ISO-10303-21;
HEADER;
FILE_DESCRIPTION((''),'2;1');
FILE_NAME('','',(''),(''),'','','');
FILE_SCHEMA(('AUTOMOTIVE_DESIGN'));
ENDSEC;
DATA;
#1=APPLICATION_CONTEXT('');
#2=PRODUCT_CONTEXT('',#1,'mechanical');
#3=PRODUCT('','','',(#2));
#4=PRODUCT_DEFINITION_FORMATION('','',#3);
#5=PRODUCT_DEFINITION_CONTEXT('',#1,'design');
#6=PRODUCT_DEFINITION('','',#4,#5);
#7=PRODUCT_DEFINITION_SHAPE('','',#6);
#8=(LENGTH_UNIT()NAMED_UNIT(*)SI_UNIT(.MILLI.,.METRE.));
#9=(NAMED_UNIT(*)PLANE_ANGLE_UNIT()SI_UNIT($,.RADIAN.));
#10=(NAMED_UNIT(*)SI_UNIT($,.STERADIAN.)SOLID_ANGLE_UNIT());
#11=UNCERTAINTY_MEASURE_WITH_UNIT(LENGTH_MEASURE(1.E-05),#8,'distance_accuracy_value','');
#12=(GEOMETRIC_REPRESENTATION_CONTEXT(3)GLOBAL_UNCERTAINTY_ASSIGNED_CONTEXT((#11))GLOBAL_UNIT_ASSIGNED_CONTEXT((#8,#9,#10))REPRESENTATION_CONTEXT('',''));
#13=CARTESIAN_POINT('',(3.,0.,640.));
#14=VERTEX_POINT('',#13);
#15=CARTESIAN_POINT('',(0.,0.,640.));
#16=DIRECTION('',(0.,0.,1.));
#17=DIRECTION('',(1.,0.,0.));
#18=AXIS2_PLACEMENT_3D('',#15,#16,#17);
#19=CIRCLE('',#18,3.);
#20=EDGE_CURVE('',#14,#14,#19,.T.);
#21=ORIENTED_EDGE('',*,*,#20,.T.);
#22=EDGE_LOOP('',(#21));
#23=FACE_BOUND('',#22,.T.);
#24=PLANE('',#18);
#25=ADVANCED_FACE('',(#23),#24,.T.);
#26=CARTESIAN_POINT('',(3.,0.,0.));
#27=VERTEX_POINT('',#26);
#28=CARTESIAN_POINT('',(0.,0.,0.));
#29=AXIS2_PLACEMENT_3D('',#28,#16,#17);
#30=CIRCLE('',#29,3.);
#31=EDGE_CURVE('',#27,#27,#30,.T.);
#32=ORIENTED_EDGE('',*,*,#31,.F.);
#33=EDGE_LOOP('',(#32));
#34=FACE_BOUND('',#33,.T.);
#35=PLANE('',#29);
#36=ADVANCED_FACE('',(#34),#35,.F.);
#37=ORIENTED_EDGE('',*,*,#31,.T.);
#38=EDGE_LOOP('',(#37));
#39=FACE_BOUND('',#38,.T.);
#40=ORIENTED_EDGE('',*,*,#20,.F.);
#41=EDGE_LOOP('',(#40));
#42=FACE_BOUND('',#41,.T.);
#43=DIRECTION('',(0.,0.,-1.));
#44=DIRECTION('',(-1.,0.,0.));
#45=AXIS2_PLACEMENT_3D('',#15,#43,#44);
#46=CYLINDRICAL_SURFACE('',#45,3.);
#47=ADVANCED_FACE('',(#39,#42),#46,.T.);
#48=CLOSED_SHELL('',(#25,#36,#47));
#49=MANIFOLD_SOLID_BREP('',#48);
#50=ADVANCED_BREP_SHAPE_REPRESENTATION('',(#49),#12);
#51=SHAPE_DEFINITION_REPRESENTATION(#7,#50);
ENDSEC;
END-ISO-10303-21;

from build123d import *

# Parameters (mm, degrees)
ESQUISSE1_R        = 3
BOSS_EXTRU_1_DEPTH = 640


with BuildPart() as part:
    # Esquisse1 → Boss.-Extru.1 (new body)
    with BuildSketch(Plane.XY):
        Circle(ESQUISSE1_R)
    extrude(amount=BOSS_EXTRU_1_DEPTH)


solid = part.part
